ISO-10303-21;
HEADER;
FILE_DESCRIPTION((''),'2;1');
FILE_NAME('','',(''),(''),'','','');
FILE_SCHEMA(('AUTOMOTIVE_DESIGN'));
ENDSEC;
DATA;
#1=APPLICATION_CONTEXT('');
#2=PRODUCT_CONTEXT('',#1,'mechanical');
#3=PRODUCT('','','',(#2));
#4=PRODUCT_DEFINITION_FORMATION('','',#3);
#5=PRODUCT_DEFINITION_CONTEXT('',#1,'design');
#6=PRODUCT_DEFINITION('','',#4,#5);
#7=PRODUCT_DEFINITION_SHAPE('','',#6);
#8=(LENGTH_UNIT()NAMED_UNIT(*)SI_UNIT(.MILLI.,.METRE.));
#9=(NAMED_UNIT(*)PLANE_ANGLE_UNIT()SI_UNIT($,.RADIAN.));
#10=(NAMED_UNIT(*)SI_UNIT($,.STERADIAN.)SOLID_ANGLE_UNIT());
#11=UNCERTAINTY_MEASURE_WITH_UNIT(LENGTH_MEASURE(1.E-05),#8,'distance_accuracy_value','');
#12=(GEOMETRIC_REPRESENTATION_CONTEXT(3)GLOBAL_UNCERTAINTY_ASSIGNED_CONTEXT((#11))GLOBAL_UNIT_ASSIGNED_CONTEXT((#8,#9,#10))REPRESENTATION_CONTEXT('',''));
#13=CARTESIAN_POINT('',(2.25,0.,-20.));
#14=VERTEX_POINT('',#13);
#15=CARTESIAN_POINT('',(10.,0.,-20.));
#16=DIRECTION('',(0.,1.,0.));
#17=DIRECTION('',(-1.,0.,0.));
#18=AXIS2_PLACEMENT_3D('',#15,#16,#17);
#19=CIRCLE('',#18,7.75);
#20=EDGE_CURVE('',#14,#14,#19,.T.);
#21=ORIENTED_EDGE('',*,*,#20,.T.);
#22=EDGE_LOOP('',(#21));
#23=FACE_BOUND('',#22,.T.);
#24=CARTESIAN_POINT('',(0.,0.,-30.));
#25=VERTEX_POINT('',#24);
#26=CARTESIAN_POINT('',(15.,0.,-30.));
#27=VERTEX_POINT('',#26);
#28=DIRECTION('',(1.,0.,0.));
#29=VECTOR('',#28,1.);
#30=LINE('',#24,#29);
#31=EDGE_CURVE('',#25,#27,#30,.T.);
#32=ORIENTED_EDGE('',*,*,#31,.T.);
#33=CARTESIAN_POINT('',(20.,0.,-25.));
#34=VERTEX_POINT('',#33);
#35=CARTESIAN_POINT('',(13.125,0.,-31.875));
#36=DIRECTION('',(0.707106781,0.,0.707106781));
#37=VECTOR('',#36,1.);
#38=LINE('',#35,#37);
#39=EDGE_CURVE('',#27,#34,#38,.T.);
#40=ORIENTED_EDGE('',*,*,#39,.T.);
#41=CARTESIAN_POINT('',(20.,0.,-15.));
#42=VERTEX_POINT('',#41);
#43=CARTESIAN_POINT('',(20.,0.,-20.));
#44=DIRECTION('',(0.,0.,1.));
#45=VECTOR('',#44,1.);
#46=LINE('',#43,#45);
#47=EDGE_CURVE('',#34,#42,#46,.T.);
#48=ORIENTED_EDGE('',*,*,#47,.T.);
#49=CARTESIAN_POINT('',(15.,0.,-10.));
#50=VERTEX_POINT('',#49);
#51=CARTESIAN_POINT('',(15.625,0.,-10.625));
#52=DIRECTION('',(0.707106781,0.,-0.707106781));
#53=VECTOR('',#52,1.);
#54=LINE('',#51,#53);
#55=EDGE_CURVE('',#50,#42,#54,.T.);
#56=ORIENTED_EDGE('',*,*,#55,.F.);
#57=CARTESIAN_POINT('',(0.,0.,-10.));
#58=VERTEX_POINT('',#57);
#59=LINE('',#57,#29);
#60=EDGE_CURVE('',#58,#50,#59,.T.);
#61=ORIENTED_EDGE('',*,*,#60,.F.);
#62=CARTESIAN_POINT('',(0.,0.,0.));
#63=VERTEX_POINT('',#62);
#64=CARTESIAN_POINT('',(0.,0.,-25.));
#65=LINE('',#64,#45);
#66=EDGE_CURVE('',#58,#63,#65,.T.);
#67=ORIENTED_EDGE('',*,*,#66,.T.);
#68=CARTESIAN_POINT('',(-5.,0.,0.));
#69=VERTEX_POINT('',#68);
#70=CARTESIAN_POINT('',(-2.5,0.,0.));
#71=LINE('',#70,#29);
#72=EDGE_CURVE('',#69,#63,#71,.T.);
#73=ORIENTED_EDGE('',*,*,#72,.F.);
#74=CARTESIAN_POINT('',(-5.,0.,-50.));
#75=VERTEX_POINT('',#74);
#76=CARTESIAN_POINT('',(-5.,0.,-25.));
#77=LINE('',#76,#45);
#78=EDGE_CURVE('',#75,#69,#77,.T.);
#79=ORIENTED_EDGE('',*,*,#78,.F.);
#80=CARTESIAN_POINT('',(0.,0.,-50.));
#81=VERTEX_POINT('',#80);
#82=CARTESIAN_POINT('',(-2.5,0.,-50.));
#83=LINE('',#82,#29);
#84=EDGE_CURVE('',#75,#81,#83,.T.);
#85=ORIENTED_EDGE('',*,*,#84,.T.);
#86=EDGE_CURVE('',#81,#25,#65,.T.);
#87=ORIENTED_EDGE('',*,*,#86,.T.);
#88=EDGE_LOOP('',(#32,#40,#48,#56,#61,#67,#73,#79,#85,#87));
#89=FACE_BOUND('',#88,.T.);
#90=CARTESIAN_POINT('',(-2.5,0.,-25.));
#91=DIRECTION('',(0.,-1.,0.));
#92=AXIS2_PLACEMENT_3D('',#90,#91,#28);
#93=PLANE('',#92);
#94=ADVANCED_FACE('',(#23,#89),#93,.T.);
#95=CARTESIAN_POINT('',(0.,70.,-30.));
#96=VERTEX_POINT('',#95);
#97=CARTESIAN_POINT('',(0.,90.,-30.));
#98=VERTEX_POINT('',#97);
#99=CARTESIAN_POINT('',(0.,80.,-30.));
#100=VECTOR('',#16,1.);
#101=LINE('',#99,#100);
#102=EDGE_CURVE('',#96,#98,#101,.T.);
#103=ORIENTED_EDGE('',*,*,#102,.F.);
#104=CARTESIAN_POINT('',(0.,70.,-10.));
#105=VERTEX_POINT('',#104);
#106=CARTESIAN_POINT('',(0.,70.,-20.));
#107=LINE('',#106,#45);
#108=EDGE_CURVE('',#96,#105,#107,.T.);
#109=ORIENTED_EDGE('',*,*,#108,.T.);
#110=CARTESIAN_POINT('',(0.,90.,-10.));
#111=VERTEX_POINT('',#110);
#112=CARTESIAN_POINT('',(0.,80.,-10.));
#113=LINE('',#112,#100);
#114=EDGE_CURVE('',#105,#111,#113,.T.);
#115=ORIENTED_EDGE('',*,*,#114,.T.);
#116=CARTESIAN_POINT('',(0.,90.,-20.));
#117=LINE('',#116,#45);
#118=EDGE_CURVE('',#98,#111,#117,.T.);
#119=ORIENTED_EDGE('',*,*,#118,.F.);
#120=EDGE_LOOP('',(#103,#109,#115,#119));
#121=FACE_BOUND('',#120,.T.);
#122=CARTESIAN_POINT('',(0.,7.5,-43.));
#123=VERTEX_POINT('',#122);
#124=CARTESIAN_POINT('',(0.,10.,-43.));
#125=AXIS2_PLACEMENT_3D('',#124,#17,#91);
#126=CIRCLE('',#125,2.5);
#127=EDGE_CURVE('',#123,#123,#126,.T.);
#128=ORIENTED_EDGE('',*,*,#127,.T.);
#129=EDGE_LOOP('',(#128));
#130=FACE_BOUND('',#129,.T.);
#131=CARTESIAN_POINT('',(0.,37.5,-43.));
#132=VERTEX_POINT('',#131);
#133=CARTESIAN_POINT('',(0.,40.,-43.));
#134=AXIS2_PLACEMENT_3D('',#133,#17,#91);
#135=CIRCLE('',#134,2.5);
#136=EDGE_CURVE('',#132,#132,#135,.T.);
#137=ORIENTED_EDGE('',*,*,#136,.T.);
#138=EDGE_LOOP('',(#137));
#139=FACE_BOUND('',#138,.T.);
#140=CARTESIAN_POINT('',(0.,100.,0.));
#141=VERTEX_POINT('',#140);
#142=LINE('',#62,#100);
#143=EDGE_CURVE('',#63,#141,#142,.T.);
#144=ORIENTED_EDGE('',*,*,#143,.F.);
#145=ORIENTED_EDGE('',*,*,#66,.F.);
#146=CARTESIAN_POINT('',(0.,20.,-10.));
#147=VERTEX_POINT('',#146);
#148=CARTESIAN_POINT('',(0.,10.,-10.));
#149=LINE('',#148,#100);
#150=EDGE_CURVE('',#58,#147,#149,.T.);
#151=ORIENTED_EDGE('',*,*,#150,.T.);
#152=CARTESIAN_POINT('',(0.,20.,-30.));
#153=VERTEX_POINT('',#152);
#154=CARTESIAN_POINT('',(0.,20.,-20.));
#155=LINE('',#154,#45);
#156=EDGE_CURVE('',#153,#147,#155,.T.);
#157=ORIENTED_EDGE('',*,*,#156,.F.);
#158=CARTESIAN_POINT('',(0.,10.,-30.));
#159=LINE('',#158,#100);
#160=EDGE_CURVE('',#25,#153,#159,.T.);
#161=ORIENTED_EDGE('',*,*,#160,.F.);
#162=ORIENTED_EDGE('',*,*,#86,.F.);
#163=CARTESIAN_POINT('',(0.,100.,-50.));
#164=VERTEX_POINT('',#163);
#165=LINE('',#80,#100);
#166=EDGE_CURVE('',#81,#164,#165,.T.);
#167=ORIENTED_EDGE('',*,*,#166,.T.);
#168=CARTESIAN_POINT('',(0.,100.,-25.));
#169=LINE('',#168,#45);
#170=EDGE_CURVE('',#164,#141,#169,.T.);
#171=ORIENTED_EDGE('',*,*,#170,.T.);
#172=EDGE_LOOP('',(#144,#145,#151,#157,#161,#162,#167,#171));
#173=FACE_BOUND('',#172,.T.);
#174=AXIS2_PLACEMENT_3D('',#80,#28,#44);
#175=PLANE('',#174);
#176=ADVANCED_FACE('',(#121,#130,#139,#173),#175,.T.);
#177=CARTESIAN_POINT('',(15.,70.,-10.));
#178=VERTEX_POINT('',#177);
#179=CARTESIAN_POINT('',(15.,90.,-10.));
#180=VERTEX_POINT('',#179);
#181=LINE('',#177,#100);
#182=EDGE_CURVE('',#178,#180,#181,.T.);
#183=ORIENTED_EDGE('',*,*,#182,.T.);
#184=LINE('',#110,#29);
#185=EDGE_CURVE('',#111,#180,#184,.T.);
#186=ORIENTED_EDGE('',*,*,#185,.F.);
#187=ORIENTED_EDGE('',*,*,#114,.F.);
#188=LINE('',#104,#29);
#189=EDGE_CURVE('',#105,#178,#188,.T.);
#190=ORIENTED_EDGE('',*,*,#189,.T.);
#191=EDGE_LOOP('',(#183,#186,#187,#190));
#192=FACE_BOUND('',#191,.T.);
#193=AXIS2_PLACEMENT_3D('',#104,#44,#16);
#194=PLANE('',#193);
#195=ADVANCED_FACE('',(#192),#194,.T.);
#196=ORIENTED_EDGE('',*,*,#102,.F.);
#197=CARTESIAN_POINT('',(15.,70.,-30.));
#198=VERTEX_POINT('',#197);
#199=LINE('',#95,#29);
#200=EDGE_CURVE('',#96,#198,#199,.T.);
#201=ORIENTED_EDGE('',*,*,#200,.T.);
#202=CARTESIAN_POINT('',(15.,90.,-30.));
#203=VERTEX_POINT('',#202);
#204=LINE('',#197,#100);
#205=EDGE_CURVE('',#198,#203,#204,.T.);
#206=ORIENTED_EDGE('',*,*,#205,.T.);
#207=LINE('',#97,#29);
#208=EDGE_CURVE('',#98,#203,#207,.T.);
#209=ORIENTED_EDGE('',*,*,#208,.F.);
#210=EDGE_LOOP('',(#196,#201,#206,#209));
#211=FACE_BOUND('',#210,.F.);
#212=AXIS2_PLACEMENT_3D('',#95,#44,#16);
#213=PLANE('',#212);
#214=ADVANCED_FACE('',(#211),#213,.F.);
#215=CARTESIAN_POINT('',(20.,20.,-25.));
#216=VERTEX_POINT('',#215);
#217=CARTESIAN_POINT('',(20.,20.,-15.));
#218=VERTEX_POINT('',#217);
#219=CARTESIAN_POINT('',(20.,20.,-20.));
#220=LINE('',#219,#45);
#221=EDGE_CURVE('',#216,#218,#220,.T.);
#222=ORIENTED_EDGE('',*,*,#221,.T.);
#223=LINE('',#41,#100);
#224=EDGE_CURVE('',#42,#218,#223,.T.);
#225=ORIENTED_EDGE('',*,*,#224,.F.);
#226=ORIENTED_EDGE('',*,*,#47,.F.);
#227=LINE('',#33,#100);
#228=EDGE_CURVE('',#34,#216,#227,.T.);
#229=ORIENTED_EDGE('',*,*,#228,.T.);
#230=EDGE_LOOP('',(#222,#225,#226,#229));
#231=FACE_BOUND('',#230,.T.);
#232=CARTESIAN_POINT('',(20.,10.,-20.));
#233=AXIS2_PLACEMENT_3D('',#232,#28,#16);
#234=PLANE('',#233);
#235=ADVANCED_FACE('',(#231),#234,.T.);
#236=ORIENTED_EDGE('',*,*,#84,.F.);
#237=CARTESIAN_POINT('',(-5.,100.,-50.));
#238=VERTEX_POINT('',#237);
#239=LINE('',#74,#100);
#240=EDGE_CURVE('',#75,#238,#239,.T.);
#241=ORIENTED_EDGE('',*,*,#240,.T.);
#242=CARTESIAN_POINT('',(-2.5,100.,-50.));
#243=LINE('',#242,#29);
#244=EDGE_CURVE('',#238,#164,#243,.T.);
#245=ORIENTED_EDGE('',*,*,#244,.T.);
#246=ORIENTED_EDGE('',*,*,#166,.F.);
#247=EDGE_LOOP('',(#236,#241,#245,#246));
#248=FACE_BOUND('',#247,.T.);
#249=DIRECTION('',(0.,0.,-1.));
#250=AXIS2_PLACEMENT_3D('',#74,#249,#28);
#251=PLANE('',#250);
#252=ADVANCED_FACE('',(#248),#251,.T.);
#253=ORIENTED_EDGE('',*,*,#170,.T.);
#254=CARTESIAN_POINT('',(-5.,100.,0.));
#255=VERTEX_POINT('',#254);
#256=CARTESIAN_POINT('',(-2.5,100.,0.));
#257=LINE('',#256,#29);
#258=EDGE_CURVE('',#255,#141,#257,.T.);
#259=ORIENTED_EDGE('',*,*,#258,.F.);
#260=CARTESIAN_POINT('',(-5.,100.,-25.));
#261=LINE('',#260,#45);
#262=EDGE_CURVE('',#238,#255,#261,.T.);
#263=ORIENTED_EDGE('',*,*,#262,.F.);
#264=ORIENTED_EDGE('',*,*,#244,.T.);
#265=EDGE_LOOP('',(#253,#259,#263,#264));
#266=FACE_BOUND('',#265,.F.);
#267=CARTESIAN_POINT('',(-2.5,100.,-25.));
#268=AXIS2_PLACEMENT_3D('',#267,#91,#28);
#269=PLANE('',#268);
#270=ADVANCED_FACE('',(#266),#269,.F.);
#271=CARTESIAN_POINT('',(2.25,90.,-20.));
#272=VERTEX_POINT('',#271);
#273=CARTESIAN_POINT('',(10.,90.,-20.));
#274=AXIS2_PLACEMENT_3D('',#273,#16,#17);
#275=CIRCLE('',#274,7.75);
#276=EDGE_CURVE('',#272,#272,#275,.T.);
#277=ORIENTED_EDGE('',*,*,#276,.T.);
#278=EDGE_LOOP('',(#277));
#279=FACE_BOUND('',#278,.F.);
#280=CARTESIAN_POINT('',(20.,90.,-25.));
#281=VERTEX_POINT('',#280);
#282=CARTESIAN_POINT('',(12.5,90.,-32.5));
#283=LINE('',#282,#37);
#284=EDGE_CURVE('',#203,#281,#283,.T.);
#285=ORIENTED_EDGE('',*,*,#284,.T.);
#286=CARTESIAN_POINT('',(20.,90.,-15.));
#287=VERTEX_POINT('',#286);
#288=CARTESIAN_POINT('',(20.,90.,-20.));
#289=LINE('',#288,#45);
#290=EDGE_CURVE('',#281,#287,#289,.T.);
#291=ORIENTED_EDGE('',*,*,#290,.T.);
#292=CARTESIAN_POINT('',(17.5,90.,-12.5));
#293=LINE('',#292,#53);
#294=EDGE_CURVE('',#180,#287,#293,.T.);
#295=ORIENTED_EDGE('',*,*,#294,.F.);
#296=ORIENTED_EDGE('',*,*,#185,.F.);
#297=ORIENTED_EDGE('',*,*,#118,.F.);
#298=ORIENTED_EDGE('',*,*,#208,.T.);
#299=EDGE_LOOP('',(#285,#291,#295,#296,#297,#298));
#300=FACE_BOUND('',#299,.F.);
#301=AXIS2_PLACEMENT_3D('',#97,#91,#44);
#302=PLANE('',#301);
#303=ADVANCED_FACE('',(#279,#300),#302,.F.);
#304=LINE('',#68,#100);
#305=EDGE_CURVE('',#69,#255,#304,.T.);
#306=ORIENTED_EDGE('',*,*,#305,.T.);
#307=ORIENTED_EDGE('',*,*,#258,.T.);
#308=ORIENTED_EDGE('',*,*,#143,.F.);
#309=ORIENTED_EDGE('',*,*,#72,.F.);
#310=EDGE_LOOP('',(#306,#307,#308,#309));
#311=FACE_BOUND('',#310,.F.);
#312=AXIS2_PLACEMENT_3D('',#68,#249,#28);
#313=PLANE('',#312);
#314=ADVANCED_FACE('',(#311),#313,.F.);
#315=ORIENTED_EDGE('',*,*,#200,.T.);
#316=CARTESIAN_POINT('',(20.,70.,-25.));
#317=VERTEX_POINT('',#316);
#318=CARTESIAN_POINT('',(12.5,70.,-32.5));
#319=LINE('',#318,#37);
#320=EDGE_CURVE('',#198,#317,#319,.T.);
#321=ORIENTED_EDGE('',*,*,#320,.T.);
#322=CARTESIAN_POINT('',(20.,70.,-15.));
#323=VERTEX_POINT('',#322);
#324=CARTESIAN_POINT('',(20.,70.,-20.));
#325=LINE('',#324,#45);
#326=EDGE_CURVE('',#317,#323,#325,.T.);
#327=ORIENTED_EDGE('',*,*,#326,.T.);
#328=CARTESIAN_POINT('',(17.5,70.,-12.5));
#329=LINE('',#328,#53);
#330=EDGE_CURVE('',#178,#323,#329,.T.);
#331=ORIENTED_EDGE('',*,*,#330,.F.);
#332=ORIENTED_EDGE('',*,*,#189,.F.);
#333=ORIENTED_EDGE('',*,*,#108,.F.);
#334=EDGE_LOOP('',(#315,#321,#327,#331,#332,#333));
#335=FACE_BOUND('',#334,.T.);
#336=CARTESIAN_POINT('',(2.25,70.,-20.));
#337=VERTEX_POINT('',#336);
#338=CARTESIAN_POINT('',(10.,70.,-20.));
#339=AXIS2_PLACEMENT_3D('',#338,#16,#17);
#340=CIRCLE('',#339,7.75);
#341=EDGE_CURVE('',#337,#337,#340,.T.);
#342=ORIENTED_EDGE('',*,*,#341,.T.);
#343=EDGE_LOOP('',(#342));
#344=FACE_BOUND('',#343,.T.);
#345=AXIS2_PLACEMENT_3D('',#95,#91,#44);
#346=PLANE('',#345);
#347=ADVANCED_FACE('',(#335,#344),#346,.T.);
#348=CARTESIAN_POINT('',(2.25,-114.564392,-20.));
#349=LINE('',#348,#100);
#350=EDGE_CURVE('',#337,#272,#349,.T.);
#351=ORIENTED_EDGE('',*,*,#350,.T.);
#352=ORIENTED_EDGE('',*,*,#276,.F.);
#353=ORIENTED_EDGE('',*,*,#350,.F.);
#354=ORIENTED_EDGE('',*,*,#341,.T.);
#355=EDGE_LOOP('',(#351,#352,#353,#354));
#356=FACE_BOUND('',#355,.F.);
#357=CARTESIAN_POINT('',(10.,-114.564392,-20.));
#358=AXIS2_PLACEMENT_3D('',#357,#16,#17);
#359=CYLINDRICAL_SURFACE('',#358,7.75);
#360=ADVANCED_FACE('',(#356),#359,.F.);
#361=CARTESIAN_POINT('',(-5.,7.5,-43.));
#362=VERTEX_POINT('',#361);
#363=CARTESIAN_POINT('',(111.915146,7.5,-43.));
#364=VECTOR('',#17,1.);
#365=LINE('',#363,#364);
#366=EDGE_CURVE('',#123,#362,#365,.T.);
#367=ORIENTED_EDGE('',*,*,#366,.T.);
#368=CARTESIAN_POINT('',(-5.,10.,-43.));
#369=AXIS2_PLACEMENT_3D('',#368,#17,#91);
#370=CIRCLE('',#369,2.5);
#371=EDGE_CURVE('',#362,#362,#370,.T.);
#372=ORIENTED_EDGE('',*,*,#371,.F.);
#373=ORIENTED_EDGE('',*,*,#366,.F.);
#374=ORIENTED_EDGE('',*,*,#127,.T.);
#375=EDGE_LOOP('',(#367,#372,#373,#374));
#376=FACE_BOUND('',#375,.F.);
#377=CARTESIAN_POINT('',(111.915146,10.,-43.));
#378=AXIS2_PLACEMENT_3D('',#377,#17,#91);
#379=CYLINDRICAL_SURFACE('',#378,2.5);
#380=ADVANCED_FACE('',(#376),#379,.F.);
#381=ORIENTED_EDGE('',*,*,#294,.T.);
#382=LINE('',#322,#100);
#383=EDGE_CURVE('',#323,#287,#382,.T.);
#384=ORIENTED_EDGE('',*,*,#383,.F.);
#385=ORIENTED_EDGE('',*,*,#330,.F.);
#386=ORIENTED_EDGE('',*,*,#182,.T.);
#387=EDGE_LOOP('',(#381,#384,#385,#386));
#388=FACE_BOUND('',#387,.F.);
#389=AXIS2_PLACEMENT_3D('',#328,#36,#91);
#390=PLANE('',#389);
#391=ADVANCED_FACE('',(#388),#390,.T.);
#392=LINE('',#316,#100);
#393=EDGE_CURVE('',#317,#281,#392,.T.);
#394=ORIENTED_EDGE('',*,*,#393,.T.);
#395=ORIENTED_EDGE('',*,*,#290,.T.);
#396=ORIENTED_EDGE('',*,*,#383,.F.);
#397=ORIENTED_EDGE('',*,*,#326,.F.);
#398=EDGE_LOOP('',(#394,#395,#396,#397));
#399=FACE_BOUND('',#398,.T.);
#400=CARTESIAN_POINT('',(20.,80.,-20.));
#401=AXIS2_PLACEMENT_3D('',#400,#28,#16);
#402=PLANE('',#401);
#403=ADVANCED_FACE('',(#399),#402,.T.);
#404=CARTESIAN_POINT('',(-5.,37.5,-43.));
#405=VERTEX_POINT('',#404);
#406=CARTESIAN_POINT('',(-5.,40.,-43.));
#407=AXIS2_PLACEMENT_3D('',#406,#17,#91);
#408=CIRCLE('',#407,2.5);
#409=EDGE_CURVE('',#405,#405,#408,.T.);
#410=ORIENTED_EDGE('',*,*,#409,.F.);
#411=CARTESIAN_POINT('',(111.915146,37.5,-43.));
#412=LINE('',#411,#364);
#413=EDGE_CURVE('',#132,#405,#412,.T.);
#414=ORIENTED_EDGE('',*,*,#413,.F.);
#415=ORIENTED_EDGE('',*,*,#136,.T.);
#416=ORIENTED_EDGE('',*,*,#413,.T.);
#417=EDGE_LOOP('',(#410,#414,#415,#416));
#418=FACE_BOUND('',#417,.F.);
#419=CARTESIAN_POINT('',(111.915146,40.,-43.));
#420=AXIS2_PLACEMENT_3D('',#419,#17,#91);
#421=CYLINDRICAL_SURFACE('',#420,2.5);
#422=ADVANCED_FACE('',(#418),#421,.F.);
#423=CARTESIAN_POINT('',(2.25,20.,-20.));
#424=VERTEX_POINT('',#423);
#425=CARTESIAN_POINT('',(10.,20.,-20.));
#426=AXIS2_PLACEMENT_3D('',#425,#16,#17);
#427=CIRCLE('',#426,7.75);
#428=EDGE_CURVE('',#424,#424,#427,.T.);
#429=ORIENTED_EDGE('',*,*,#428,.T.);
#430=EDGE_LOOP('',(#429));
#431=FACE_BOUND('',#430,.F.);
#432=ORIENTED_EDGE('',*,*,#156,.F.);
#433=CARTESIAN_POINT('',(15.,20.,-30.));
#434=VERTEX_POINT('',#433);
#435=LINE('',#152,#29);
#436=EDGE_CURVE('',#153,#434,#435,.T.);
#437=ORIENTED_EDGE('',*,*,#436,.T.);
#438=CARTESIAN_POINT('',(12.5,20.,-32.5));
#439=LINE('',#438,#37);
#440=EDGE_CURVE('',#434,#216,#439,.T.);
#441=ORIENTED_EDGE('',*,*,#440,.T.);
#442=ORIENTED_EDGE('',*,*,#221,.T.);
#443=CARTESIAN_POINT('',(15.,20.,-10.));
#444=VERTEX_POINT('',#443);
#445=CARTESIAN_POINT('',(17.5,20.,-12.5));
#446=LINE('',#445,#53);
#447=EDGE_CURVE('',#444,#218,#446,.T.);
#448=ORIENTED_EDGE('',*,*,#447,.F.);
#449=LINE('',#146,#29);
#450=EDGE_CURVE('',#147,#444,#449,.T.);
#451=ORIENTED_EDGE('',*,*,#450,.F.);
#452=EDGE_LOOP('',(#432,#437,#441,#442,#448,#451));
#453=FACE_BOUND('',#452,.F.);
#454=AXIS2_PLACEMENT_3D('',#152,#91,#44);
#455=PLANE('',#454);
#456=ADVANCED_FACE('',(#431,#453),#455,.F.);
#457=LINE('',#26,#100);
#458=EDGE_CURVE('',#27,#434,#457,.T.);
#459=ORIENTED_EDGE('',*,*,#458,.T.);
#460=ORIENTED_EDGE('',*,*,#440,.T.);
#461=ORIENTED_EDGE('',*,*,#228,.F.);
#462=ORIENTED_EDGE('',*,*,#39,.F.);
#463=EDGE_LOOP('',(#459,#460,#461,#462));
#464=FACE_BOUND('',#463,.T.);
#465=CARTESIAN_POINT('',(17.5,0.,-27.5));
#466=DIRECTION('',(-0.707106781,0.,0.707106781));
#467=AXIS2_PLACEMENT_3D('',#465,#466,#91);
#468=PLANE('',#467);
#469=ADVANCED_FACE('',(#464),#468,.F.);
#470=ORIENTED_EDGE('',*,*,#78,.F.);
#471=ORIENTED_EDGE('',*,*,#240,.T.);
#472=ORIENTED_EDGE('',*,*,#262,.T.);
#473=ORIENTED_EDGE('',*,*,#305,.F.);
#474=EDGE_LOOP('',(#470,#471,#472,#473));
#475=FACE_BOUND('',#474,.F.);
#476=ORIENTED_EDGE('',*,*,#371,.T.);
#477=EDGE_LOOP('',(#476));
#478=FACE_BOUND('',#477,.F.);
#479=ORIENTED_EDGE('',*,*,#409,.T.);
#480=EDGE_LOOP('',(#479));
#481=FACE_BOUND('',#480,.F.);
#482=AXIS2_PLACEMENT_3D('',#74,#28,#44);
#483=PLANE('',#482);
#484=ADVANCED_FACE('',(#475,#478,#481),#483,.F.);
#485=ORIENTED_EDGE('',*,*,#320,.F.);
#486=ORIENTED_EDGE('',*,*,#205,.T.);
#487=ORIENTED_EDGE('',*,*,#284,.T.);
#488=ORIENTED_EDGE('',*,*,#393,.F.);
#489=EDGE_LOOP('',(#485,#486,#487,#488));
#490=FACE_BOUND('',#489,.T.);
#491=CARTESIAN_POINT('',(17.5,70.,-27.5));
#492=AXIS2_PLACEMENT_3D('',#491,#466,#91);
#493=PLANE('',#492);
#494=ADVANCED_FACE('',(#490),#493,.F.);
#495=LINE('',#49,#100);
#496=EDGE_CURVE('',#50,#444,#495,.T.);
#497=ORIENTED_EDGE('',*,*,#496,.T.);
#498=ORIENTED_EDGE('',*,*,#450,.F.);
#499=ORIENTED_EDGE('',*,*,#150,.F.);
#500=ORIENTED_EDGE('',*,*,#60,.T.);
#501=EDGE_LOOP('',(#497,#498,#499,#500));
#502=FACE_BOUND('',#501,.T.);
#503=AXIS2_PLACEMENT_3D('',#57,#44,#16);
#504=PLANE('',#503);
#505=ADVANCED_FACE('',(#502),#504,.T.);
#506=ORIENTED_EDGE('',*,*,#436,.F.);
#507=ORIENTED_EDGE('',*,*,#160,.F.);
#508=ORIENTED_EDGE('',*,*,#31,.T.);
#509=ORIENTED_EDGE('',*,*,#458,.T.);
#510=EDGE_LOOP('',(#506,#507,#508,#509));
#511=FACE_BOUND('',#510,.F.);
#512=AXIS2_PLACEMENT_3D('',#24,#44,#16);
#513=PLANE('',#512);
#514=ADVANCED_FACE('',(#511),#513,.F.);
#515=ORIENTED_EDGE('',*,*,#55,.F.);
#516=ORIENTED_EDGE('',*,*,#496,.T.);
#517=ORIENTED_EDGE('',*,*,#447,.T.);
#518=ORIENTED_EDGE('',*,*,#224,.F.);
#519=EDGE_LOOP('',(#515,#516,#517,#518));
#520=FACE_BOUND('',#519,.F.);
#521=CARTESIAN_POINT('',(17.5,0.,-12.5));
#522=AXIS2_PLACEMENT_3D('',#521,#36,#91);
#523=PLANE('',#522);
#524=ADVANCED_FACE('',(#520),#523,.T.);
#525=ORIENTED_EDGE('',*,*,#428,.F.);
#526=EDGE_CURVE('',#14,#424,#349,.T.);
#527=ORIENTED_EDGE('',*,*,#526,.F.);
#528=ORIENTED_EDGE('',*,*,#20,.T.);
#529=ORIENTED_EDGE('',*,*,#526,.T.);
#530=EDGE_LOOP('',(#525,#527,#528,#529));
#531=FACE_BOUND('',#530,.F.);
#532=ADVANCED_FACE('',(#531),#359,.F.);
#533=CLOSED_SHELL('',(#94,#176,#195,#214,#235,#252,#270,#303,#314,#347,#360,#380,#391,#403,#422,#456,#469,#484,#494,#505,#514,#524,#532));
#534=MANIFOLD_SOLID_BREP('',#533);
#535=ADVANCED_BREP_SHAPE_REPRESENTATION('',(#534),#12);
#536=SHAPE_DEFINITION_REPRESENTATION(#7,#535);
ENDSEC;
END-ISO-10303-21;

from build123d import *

# Parameters (mm, degrees)
F0_W     = 5
F0_H     = 50
F1_DEPTH = 100
F3_D     = 5
F2_W     = 20
F2_H     = 20
F4_DEPTH = 20
F5_SIZE  = 5
F7_D     = 15.5


with BuildPart() as f1:
    # F0 (on Front) → F1 (new body)
    with BuildSketch(Plane.XZ):
        with Locations((-2.5, -25)):
            Rectangle(F0_W, F0_H)
    extrude(amount=-F1_DEPTH)

    # F3 (through all)
    with Locations(Plane.YZ):
        with Locations((10, -43), (40, -43)):
            Hole(F3_D / 2)

    # F2 (on face) → F4 (join)
    with BuildSketch(Plane.YZ):
        with Locations((10, -20)):
            Rectangle(F2_W, F2_H)
        with Locations((80, -20)):
            Rectangle(F2_W, F2_H)
    extrude(amount=F4_DEPTH)

    # F5
    f5_edges = [f1.edges().sort_by_distance(p)[0] for p in [
        (20, 10, -10),
        (20, 10, -30),
        (20, 80, -10),
        (20, 80, -30),
    ]]
    chamfer(f5_edges, length=F5_SIZE)

    # F7 (through all)
    with Locations(Plane.XZ):
        with Locations((10, -20)):
            Hole(F7_D / 2)


solid = f1.part
